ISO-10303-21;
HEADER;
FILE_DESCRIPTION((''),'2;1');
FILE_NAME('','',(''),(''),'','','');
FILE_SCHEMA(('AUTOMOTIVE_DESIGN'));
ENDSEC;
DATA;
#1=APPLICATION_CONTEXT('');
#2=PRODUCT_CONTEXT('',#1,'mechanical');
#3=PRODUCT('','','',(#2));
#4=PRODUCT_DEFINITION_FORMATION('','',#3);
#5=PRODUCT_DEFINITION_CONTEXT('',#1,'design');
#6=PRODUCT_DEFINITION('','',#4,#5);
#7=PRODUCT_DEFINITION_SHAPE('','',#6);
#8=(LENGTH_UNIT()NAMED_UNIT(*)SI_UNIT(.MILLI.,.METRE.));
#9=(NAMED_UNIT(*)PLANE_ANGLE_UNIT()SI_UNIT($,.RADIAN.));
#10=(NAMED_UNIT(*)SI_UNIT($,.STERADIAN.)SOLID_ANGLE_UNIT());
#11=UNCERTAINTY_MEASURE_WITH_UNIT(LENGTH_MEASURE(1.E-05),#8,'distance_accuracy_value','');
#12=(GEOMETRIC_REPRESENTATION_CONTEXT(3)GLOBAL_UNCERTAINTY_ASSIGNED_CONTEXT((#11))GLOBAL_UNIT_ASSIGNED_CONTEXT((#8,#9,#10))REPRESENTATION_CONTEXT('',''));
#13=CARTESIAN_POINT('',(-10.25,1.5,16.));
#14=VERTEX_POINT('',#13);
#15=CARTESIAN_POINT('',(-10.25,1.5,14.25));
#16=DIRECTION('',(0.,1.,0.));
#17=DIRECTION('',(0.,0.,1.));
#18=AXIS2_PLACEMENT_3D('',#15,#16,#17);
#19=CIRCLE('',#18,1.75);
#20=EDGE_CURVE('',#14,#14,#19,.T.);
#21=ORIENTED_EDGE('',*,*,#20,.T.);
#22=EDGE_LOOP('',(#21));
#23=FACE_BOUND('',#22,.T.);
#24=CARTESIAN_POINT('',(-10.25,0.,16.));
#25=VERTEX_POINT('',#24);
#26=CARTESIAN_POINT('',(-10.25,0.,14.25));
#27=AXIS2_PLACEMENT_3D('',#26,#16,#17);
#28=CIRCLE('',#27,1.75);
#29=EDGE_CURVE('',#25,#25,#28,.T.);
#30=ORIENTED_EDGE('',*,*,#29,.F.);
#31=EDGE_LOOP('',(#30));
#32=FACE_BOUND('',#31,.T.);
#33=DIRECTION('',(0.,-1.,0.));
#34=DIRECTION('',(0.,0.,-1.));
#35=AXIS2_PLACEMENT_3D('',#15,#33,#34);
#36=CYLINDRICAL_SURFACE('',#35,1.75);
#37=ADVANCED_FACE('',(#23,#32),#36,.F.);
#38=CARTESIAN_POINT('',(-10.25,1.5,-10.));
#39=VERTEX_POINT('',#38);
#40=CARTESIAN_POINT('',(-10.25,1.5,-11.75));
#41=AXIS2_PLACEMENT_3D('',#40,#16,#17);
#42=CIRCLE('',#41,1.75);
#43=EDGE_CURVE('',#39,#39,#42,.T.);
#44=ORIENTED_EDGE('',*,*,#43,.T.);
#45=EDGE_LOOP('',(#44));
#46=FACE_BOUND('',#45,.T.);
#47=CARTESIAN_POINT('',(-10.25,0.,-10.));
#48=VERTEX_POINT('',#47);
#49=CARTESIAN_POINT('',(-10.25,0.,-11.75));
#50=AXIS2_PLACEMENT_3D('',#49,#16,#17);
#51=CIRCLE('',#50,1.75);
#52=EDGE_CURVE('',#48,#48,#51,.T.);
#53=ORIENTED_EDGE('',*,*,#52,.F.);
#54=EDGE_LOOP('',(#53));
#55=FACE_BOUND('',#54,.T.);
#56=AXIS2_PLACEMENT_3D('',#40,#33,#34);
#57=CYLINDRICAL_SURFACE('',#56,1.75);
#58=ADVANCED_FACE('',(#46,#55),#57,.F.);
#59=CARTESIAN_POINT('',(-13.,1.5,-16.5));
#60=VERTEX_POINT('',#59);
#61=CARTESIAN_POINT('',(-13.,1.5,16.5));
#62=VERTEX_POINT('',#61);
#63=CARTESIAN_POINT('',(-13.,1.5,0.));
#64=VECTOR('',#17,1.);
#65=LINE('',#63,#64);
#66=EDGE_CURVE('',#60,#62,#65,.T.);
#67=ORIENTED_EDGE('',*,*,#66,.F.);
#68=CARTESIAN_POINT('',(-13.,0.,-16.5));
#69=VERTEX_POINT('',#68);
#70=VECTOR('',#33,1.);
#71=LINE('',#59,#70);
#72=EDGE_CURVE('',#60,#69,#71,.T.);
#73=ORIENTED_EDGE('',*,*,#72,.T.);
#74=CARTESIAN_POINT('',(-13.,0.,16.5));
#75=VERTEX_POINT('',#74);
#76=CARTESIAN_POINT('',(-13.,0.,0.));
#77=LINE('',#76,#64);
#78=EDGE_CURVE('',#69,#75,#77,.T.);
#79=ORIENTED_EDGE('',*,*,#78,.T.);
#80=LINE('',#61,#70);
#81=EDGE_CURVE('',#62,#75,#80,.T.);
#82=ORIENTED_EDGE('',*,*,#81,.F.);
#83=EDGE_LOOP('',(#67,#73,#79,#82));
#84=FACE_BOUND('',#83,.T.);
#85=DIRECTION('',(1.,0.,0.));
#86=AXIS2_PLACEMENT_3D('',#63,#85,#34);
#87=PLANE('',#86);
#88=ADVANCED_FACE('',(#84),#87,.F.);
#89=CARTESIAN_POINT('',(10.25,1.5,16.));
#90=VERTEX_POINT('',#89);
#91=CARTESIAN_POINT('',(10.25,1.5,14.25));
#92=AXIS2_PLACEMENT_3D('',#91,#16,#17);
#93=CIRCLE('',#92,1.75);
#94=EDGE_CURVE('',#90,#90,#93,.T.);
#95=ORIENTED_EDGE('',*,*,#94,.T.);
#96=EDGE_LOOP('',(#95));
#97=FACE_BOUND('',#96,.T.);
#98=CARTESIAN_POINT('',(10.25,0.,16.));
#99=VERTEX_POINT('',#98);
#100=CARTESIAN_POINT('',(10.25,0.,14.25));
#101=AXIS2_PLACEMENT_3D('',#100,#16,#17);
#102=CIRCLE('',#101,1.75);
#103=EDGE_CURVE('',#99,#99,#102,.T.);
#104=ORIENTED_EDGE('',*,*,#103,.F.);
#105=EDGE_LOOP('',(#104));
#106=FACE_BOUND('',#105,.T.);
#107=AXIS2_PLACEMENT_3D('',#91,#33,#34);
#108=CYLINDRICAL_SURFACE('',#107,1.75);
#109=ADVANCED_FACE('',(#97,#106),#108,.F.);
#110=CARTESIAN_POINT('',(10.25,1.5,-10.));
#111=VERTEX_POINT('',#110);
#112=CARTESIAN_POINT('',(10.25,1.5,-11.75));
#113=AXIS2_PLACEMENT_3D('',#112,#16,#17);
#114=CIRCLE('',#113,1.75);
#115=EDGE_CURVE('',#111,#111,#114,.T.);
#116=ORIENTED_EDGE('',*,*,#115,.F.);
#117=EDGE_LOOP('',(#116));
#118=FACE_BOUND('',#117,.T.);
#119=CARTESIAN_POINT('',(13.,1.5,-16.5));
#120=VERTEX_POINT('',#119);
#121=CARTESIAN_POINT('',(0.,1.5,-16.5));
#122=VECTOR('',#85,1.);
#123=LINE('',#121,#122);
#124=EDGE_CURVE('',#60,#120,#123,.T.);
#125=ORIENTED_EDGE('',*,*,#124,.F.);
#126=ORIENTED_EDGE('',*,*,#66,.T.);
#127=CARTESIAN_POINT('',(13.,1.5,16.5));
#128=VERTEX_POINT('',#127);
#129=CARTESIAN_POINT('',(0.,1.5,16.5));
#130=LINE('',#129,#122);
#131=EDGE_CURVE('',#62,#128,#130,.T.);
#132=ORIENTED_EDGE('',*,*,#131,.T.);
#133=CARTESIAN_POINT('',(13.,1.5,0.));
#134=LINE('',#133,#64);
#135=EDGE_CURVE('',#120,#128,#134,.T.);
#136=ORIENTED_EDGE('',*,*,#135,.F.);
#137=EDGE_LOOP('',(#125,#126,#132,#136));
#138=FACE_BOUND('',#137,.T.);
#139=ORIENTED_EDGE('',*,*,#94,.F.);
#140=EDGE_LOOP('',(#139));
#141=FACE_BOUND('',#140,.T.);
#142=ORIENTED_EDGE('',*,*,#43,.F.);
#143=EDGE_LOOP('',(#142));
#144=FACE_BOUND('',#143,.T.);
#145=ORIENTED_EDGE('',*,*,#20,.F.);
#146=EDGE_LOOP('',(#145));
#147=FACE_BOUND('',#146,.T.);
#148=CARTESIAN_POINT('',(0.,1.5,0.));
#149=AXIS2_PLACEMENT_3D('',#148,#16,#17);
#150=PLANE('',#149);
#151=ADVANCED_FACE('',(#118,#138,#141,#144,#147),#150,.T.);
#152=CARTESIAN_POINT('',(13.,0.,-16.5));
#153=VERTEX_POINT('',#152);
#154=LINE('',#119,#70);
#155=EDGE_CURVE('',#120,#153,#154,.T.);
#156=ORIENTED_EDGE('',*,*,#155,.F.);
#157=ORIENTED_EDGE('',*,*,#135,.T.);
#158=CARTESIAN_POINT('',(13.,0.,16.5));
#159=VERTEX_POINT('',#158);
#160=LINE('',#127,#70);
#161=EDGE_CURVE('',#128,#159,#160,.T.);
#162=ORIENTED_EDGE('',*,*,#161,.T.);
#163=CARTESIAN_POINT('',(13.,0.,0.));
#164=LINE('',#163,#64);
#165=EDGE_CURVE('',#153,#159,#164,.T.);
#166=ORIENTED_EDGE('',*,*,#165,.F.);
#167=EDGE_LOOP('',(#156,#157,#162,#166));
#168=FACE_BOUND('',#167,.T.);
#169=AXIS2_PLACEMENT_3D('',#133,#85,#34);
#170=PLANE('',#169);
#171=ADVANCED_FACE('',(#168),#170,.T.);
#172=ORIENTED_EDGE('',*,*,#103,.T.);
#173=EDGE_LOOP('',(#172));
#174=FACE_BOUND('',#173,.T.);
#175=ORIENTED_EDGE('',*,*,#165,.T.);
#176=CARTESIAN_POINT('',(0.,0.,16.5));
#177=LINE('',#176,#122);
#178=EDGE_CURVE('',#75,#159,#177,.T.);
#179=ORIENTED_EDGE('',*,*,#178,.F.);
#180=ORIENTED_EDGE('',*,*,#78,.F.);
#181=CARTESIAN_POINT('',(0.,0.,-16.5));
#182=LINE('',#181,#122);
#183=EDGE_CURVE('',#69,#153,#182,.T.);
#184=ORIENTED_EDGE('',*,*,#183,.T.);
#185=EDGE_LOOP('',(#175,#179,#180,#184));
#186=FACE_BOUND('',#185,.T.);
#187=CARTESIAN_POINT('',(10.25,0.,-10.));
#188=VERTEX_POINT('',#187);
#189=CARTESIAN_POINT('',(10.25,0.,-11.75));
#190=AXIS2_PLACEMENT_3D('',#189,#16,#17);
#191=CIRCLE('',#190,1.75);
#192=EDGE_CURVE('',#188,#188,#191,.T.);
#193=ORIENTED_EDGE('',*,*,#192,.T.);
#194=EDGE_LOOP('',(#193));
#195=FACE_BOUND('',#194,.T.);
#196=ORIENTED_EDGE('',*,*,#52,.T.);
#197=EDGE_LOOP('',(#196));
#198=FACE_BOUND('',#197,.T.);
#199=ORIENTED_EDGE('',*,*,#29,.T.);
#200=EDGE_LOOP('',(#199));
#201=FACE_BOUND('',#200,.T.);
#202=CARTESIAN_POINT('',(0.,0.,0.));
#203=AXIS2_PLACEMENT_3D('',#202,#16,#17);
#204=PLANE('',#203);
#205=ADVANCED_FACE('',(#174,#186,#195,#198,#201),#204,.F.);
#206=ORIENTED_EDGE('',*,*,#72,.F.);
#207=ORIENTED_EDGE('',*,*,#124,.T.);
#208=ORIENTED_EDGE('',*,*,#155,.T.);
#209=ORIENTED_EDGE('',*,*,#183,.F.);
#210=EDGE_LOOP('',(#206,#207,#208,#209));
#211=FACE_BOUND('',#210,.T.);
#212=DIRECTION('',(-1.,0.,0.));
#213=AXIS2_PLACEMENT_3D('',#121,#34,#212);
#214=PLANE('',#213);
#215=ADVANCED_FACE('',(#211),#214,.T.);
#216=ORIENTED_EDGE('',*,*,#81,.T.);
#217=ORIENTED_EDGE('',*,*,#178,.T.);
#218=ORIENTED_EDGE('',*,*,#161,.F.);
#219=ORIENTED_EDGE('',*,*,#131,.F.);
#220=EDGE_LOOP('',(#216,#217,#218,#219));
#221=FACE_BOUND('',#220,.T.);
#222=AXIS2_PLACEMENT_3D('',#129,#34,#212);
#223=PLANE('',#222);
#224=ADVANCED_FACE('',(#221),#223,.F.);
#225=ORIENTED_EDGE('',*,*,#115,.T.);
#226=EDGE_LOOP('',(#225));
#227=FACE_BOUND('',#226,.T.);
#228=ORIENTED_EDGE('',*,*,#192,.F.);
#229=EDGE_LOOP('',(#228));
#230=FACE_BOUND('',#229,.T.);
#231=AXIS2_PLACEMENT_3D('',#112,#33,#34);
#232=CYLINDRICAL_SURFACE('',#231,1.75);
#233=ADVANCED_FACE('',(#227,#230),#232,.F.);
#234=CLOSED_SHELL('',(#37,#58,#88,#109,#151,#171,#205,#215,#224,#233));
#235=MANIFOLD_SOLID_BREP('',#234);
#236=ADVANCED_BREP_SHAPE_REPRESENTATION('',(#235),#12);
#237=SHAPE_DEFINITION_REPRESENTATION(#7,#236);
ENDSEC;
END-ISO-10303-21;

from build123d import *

# Parameters (mm, degrees)
SKETCH1_W           = 26
SKETCH1_H           = 33
SKETCH1_R           = 1.75
BOSS_EXTRUDE1_DEPTH = 1.5


with BuildPart() as part:
    # Sketch1 → Boss-Extrude1 (new body)
    with BuildSketch(Plane(origin=(0, 0, 0), x_dir=(1, 0, 0), z_dir=(0, 1, 0))):
        Rectangle(SKETCH1_W, SKETCH1_H)
        with Locations((10.25, -14.25)):
            Circle(SKETCH1_R, mode=Mode.SUBTRACT)
        with Locations((-10.25, -14.25)):
            Circle(SKETCH1_R, mode=Mode.SUBTRACT)
        with Locations((10.25, 11.75)):
            Circle(SKETCH1_R, mode=Mode.SUBTRACT)
        with Locations((-10.25, 11.75)):
            Circle(SKETCH1_R, mode=Mode.SUBTRACT)
    extrude(amount=BOSS_EXTRUDE1_DEPTH)


solid = part.part
